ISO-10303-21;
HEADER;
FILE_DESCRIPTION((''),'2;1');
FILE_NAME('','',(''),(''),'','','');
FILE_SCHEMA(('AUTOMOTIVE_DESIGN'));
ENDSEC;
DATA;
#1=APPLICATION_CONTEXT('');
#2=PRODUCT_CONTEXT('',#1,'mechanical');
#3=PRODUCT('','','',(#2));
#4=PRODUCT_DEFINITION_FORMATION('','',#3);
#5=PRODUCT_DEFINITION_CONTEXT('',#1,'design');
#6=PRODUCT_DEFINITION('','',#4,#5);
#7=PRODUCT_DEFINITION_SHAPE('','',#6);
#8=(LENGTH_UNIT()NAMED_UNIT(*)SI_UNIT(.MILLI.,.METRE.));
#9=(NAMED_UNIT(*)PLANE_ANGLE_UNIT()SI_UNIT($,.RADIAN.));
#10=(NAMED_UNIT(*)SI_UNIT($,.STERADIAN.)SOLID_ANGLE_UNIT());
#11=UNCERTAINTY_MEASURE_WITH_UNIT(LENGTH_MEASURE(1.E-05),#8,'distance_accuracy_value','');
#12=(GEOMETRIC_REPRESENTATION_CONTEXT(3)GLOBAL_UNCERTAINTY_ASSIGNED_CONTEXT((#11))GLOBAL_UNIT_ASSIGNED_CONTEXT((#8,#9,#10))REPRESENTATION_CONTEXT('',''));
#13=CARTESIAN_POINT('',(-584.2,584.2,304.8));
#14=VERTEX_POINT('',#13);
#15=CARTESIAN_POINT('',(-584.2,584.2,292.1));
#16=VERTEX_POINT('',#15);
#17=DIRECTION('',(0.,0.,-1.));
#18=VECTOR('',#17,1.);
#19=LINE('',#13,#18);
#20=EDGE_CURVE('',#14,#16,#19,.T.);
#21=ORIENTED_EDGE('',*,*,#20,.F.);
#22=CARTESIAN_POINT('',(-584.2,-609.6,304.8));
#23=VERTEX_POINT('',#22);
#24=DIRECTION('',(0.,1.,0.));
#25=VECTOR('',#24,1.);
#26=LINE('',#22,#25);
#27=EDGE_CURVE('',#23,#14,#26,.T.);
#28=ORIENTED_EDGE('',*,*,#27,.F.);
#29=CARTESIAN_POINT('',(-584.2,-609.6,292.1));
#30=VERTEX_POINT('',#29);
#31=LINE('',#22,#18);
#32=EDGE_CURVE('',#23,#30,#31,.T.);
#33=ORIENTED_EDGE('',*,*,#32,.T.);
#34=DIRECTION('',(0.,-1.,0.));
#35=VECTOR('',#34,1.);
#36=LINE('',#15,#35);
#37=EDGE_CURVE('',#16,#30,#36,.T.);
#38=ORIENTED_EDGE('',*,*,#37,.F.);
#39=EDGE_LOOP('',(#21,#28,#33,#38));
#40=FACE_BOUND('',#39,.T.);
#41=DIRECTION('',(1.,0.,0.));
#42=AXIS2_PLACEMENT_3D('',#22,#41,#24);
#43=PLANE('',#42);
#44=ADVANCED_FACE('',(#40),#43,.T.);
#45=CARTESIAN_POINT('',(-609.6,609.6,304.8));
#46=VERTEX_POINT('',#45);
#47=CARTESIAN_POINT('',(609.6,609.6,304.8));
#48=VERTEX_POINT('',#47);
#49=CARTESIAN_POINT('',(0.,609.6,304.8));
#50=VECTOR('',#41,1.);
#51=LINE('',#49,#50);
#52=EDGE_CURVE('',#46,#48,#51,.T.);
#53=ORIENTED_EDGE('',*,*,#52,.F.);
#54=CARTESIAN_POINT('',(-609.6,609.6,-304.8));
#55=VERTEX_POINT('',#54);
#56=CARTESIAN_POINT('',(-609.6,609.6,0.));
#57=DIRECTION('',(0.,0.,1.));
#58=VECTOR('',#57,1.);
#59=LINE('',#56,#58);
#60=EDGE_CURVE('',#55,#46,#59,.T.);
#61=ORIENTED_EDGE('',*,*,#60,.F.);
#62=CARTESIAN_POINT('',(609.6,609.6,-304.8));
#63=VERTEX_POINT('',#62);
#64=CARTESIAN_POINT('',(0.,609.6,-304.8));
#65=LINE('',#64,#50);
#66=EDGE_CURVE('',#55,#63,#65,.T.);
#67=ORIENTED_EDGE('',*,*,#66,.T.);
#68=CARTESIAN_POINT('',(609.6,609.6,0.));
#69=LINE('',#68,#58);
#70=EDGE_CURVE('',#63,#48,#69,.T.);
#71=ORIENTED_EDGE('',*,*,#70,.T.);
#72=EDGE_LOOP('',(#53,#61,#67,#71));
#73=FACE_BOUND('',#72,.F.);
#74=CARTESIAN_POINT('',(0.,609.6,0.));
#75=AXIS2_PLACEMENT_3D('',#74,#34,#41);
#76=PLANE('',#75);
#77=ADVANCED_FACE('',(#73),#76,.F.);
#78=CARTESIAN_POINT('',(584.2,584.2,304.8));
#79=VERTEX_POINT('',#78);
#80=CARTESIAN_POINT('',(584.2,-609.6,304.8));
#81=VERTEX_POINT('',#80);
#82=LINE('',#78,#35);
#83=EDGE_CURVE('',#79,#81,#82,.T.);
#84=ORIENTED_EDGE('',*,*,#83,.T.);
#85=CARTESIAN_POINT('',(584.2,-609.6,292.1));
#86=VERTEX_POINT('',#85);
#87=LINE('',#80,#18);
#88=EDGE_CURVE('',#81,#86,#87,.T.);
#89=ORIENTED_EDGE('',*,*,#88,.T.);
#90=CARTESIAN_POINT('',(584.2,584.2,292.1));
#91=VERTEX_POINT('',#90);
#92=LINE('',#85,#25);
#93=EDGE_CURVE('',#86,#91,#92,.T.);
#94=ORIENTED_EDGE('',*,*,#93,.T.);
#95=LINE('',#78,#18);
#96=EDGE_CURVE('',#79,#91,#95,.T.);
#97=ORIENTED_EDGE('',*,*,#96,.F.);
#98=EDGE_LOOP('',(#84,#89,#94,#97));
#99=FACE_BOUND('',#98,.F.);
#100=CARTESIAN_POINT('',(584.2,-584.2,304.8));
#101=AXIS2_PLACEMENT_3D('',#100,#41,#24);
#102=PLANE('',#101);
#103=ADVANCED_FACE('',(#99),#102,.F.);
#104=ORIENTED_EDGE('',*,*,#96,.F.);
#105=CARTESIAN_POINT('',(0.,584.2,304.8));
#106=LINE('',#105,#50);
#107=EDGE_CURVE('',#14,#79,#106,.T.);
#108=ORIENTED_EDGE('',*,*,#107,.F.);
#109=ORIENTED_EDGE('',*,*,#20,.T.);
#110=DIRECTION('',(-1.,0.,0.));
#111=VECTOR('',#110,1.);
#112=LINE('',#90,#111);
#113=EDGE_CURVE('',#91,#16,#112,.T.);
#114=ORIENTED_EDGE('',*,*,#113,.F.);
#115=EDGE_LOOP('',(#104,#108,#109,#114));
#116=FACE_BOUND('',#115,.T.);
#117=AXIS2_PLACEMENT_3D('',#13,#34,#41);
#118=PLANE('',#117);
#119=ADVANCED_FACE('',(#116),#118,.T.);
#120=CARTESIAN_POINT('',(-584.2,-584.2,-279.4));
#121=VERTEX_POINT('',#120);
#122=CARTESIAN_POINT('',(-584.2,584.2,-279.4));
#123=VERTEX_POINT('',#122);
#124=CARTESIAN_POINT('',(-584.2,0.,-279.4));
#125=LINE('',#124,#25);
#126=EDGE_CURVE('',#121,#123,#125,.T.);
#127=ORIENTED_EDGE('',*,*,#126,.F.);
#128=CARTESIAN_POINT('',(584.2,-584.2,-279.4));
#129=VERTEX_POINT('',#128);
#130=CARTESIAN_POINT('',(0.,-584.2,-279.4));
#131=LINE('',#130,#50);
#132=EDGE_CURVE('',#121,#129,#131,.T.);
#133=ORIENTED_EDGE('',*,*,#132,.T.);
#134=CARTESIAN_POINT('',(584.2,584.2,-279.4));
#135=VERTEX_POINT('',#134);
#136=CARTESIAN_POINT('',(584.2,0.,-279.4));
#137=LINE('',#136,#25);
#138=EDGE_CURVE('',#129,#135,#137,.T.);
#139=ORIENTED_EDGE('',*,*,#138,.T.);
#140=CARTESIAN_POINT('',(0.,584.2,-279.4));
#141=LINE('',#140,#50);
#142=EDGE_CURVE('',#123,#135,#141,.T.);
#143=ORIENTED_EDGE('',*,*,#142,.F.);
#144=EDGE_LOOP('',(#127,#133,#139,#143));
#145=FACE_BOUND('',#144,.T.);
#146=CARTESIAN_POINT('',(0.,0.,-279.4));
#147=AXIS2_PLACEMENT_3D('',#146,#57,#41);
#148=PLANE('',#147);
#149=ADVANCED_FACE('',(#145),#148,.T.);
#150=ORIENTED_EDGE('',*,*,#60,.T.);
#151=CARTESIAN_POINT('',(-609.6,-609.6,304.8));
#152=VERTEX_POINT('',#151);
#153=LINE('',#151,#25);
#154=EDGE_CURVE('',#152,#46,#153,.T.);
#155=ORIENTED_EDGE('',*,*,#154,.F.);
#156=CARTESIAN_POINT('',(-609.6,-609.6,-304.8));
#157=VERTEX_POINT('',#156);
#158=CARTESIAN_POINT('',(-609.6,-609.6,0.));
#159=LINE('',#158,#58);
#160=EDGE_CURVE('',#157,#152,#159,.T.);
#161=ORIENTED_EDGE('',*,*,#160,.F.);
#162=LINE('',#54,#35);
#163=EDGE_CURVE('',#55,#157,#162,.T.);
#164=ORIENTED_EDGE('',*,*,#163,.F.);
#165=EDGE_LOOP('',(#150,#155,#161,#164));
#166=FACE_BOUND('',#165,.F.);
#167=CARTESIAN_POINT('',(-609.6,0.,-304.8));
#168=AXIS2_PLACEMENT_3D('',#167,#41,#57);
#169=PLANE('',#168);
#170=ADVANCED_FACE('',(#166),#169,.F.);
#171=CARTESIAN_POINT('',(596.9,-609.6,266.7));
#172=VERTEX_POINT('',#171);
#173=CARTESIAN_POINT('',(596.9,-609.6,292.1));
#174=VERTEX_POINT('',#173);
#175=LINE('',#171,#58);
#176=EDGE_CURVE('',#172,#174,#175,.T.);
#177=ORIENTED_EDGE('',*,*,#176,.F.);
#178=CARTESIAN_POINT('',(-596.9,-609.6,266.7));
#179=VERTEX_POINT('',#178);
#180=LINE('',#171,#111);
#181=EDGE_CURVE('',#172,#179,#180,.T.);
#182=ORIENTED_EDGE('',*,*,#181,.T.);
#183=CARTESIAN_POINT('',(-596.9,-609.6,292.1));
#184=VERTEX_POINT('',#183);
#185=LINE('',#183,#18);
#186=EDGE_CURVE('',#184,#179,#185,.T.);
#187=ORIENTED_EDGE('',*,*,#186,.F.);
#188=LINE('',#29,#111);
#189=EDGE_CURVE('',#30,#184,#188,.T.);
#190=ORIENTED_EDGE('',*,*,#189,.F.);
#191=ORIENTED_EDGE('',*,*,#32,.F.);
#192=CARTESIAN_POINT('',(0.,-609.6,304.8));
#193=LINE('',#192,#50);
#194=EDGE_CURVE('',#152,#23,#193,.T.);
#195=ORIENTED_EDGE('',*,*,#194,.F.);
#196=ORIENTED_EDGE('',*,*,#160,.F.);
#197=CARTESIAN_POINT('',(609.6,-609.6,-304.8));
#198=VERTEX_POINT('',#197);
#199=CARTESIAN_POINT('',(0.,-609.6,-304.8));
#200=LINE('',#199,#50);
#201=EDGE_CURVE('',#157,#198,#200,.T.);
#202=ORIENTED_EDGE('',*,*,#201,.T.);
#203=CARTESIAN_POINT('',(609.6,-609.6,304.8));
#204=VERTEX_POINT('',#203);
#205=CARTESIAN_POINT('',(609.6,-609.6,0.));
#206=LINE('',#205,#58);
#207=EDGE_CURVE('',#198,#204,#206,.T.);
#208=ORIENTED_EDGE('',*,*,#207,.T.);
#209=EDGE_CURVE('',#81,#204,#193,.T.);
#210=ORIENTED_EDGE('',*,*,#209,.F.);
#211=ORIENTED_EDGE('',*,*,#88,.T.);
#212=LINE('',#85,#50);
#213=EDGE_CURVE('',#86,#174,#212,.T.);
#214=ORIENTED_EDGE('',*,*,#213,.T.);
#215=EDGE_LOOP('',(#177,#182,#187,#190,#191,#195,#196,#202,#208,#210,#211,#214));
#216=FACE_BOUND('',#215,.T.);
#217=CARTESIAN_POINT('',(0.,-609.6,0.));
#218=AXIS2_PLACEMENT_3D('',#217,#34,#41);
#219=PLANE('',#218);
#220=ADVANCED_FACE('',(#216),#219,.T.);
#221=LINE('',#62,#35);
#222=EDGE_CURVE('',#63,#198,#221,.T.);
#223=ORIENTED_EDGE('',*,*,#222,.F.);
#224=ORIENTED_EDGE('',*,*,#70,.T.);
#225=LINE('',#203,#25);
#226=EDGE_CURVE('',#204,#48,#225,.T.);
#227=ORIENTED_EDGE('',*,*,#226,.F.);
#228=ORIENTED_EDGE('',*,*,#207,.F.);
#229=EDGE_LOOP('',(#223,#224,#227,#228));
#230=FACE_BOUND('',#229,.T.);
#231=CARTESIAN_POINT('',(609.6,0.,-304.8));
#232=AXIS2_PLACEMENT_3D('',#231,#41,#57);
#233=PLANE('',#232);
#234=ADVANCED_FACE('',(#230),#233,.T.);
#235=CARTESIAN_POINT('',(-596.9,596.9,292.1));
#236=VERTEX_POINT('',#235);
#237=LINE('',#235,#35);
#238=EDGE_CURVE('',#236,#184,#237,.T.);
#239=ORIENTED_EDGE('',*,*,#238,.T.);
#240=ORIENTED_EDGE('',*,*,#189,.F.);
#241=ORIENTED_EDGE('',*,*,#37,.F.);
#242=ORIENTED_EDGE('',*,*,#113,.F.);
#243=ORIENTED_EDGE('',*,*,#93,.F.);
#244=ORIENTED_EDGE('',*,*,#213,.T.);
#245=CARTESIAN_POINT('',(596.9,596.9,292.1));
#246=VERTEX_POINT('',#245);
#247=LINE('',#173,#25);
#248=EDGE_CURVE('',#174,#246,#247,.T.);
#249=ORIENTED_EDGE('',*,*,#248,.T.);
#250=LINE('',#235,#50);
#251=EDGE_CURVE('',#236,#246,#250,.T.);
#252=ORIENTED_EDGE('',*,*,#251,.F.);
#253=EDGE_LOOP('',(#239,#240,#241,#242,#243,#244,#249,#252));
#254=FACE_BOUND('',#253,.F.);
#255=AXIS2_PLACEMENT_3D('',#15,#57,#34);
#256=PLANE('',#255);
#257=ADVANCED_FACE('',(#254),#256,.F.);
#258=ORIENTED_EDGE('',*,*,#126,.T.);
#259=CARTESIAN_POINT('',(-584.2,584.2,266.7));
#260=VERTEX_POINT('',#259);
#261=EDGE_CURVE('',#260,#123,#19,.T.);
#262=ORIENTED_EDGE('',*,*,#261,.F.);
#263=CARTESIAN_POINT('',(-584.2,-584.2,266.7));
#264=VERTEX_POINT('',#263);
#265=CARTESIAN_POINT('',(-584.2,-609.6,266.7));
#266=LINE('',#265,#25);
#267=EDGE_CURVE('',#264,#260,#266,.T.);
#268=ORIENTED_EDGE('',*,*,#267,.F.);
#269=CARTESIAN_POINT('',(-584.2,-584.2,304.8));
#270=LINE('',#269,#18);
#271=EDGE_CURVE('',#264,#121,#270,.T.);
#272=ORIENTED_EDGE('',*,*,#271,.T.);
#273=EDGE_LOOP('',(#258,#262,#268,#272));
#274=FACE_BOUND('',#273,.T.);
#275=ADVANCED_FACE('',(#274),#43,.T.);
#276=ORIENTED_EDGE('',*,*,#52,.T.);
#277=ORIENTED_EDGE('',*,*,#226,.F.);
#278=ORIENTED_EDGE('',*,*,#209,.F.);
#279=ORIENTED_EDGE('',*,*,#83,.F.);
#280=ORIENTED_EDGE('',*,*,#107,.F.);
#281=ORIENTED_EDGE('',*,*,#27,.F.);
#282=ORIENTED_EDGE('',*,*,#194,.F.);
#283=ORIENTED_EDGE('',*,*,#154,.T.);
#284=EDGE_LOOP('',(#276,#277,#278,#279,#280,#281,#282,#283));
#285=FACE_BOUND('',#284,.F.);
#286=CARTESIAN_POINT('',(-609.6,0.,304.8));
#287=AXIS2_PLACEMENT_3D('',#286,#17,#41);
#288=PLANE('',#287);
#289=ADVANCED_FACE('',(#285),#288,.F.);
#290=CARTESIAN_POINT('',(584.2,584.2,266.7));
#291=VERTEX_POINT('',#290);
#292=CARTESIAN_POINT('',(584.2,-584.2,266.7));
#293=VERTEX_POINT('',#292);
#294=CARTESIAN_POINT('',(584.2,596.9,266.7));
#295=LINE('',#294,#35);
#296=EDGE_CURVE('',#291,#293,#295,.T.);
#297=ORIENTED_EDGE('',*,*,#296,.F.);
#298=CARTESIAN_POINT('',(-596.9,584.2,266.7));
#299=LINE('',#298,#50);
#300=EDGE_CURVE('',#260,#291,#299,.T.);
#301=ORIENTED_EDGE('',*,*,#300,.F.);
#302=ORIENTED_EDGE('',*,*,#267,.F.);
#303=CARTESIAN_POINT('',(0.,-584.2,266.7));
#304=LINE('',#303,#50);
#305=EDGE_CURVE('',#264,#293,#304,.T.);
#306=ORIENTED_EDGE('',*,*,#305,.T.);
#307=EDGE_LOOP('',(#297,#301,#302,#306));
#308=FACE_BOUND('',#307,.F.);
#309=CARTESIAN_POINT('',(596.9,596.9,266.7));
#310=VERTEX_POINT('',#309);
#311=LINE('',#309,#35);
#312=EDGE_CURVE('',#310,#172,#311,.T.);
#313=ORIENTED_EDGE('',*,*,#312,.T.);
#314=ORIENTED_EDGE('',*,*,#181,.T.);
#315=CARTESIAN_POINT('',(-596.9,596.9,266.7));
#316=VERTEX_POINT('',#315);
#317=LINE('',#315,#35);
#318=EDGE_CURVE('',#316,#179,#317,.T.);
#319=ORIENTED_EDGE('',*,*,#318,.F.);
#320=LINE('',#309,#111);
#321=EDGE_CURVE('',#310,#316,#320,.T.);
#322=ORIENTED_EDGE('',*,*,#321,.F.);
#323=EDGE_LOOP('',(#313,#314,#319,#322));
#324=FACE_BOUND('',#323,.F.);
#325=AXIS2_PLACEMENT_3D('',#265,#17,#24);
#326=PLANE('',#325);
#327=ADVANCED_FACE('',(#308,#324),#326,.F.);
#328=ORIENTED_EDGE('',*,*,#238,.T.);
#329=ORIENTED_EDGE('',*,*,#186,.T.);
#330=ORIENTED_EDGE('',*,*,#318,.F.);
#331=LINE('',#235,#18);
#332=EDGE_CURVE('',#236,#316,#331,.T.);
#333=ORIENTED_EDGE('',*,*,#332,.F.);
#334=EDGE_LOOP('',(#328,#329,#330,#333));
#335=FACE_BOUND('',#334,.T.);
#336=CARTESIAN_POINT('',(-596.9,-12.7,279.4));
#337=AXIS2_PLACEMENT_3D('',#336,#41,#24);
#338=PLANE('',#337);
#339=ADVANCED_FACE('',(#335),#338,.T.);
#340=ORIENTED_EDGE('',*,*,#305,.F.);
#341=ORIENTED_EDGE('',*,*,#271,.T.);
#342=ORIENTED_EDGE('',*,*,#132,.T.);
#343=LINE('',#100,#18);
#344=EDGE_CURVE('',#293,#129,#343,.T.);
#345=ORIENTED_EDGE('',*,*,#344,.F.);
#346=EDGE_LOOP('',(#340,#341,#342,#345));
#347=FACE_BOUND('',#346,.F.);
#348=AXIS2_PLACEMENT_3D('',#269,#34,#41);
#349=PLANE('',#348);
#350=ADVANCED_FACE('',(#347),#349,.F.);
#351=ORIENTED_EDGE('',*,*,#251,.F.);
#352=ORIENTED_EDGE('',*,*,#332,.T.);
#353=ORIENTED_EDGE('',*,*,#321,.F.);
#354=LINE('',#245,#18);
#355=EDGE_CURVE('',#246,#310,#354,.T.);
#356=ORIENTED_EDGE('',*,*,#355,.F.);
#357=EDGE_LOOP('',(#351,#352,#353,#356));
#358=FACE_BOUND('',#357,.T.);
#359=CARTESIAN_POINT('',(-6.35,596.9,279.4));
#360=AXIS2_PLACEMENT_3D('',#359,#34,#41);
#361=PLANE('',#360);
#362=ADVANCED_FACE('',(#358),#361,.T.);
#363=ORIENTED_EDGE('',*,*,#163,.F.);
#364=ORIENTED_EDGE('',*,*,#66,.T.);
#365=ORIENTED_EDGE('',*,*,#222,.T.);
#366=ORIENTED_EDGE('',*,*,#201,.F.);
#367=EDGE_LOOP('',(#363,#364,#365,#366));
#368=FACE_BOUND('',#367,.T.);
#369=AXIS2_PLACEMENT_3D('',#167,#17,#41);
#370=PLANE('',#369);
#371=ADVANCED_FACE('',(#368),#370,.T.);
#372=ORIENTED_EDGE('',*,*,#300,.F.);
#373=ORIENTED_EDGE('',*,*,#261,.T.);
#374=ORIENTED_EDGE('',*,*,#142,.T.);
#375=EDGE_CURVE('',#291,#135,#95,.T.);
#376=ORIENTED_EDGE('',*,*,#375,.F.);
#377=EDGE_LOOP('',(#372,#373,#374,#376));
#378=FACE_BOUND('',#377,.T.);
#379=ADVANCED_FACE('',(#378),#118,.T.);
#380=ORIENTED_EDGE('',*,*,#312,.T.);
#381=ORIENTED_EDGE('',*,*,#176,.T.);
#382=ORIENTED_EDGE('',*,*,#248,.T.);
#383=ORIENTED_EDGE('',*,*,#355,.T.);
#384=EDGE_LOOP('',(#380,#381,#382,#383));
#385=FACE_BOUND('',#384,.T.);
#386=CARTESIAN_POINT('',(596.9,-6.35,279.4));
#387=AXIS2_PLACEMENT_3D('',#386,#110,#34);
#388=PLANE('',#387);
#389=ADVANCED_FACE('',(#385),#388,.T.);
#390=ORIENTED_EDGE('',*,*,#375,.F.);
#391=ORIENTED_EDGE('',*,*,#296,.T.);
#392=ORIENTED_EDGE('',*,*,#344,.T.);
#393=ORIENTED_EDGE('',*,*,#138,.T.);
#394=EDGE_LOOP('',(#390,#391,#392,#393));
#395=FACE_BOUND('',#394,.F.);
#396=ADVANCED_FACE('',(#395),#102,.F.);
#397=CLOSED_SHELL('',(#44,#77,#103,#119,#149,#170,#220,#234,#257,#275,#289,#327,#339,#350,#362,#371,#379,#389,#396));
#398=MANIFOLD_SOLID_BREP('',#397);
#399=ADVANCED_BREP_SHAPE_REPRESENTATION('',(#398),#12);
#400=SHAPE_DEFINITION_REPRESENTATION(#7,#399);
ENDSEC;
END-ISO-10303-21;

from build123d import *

# Parameters (mm, degrees)
F0_W      = 1219.2
F0_H      = 609.6
F1_DEPTH  = 609.6
F2_W      = 1168.4
F2_H      = 1168.4
F3_DEPTH  = 584.2
F4_W      = 1168.4
F4_H      = 25.4
F5_DEPTH  = 38.1
F7_DEPTH  = 12.7
F9_DEPTH  = 12.7
F11_DEPTH = 12.7


with BuildPart() as f1:
    # F0 (on Front) → F1 (new body, symmetric)
    with BuildSketch(Plane.XZ):
        Rectangle(F0_W, F0_H)
    extrude(amount=F1_DEPTH, both=True)

    # F2 (on face) → F3 (cut)
    with BuildSketch(Plane.XY.offset(304.8)):
        Rectangle(F2_W, F2_H)
    extrude(amount=-F3_DEPTH, mode=Mode.SUBTRACT)

    # F4 (on face) → F5 (cut)
    with BuildSketch(Plane.XY.offset(304.8)):
        with Locations((0, -596.9)):
            Rectangle(F4_W, F4_H)
    extrude(amount=-F5_DEPTH, mode=Mode.SUBTRACT)

    # F6 (on face) → F7 (cut)
    with BuildSketch(Plane.YZ.offset(-584.2)):
        Polygon((-609.6, 292.1), (-609.6, 266.7), (-584.2, 266.7), (584.2, 266.7), (584.2, 292.1), align=None)
    extrude(amount=-F7_DEPTH, mode=Mode.SUBTRACT)

    # F8 (on face) → F9 (cut)
    with BuildSketch(Plane.XZ.offset(-584.2)):
        Polygon((-596.9, 292.1), (-596.9, 266.7), (-584.2, 266.7), (584.2, 266.7), (584.2, 292.1), (-584.2, 292.1), align=None)
    extrude(amount=-F9_DEPTH, mode=Mode.SUBTRACT)

    # F10 (on face) → F11 (cut)
    with BuildSketch(Plane(origin=(584.2, 0, 0), x_dir=(0, -1, 0), z_dir=(-1, 0, 0))):
        Polygon((-596.9, 292.1), (-596.9, 266.7), (-584.2, 266.7), (584.2, 266.7), (609.6, 266.7), (609.6, 292.1), (-584.2, 292.1), align=None)
    extrude(amount=-F11_DEPTH, mode=Mode.SUBTRACT)


solid = f1.part
